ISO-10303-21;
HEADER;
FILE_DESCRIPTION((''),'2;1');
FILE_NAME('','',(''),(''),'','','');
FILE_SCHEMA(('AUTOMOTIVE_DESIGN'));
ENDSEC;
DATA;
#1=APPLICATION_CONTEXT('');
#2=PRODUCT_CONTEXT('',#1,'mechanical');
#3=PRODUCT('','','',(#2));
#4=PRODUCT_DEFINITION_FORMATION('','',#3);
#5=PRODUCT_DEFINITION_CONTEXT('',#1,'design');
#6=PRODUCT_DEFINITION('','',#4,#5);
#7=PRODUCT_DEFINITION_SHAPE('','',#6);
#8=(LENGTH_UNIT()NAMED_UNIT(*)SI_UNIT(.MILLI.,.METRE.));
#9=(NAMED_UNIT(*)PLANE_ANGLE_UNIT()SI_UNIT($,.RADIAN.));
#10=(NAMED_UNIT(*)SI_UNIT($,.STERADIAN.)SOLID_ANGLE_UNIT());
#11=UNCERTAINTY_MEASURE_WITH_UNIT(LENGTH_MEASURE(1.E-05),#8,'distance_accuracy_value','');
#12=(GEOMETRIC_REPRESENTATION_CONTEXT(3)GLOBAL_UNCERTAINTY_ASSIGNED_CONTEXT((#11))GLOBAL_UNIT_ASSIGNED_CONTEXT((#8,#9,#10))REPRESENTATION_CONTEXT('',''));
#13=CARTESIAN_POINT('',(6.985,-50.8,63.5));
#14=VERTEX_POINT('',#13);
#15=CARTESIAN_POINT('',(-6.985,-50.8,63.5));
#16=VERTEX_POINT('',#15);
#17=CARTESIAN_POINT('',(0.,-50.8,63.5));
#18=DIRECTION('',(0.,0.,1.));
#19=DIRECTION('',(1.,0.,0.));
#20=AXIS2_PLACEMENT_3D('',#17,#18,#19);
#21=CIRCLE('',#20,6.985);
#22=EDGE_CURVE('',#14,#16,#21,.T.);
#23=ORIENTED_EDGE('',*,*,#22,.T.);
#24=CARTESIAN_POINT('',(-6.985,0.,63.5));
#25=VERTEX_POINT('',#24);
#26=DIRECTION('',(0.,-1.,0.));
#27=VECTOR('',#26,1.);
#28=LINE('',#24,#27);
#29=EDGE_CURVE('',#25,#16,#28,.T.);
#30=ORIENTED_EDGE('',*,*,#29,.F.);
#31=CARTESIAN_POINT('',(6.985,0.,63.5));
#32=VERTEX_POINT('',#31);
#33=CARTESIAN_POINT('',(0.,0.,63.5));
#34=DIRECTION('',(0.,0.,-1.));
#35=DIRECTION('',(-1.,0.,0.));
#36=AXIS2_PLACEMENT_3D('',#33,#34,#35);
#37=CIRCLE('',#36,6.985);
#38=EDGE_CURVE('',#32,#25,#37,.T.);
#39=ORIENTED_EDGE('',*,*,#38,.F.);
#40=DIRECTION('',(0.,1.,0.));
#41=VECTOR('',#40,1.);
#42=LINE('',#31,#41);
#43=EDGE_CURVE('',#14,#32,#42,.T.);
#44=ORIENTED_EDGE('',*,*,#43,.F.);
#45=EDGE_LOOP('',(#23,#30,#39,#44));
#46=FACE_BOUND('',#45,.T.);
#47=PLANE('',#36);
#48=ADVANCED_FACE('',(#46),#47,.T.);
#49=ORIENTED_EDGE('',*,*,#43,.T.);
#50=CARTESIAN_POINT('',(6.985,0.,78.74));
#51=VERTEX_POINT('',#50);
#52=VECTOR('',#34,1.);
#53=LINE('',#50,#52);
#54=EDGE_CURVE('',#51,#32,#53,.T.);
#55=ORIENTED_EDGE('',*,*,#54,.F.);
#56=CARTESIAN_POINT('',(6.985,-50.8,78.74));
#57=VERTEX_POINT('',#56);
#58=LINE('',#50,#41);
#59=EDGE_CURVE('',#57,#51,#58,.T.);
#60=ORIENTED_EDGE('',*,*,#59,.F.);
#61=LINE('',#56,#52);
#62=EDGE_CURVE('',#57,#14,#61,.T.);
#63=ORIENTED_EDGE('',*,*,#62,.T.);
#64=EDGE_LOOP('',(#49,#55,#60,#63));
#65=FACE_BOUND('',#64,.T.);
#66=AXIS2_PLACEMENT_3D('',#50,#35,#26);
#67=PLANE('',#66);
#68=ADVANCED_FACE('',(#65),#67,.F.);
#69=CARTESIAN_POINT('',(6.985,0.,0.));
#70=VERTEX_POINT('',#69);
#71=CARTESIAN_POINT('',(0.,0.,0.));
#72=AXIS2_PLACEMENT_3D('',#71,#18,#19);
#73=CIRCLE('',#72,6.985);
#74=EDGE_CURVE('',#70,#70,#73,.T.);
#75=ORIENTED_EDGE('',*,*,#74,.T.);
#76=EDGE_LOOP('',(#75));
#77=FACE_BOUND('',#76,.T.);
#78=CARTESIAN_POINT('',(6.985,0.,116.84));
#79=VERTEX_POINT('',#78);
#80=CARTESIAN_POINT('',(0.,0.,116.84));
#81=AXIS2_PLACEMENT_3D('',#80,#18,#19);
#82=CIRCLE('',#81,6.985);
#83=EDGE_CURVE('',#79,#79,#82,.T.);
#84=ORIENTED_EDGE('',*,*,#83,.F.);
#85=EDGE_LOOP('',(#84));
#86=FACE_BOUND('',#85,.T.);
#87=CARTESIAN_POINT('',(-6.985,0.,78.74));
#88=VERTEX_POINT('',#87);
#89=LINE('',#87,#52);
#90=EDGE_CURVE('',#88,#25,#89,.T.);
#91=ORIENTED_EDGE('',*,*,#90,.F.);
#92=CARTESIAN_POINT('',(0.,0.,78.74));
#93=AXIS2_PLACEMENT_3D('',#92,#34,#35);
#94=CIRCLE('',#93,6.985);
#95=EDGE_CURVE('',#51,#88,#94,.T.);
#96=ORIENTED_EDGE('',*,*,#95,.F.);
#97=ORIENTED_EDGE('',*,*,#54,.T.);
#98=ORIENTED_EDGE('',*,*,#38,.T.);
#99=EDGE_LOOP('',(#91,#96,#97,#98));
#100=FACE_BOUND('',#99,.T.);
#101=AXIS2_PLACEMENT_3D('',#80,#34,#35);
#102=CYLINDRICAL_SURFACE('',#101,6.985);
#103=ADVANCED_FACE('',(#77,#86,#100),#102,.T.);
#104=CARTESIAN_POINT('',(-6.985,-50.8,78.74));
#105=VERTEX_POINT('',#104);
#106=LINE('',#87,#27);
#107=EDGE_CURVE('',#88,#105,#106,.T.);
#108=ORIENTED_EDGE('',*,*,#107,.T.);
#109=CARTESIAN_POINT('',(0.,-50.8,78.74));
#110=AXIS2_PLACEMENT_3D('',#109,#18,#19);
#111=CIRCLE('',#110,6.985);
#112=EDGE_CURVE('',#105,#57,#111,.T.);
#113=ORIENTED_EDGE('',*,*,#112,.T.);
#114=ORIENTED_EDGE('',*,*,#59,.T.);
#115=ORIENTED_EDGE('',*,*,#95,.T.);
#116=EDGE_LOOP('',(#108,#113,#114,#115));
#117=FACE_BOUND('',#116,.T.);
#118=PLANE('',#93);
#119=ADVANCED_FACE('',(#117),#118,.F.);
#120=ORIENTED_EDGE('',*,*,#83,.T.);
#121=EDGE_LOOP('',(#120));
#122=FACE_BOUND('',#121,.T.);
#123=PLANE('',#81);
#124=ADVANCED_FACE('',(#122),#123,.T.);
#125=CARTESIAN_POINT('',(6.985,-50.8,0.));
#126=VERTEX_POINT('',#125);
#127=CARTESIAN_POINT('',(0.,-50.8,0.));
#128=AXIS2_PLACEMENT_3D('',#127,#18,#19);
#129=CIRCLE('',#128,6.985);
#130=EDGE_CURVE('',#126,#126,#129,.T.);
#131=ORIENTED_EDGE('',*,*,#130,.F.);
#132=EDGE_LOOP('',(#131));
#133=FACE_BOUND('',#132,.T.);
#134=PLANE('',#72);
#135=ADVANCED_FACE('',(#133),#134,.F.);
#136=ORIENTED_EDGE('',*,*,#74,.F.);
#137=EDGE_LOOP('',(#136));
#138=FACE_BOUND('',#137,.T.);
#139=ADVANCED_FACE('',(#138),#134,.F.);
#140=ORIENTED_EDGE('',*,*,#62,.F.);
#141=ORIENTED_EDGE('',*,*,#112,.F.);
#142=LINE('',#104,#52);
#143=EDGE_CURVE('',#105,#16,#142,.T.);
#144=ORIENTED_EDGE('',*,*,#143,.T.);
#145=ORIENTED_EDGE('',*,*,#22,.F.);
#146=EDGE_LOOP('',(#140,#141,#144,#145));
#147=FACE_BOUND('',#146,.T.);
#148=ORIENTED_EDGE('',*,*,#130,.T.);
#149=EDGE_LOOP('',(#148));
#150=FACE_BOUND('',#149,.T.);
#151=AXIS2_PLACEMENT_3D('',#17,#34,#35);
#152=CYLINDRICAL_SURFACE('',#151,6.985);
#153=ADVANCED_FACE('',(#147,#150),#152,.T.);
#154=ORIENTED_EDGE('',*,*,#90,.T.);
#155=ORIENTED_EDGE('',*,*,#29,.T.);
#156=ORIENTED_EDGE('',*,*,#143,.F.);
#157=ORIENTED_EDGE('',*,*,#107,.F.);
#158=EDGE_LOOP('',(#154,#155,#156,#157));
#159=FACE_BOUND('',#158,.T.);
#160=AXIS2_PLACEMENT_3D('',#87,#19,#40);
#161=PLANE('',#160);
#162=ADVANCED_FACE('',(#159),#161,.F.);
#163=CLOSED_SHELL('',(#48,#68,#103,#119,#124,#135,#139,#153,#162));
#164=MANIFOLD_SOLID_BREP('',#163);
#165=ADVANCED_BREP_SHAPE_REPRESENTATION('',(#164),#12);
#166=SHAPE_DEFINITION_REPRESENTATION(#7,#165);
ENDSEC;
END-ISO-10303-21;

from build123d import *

# Parameters (mm, degrees)
BOSS_EXTRUDE11_DEPTH = 116.84
BOSS_EXTRUDE12_DEPTH = 63.5
SKETCH19_W           = 13.97
SKETCH19_H           = 50.8
BOSS_EXTRUDE13_DEPTH = 15.24
SKETCH21_R           = 6.985
BOSS_EXTRUDE15_DEPTH = 15.24


with BuildPart() as part:
    # Sketch2 → Boss-Extrude11 (new body)
    with BuildSketch(Plane.XY):
        with BuildLine():
            ThreePointArc((6.985, 0), (-4.939140867, 4.939140867), (0, -6.985))
            ThreePointArc((0, -6.985), (4.939140867, -4.939140867), (6.985, 0))
        make_face()
    extrude(amount=BOSS_EXTRUDE11_DEPTH)



with BuildPart() as body_2:
    # Sketch2<4> → Boss-Extrude12 (new body)
    with BuildSketch(Plane.XY):
        with BuildLine():
            ThreePointArc((6.985, -50.8), (4.939140867, -45.860859133), (0, -43.815))
            ThreePointArc((0, -43.815), (-4.939140867, -55.739140867), (6.985, -50.8))
        make_face()
    extrude(amount=BOSS_EXTRUDE12_DEPTH)


with BuildPart() as part_1:
    add(part.part)

    add(body_2.part)  # Boss-Extrude13 merges body 2
    # Sketch19 → Boss-Extrude13 (add)
    with BuildSketch(Plane.XY.offset(63.5)):
        with Locations((0, -25.4)):
            Rectangle(SKETCH19_W, SKETCH19_H)
    extrude(amount=BOSS_EXTRUDE13_DEPTH)

    # Sketch21 → Boss-Extrude15 (add)
    with BuildSketch(Plane.XY.offset(63.5)):
        with Locations((0, -50.8)):
            Circle(SKETCH21_R)
    extrude(amount=BOSS_EXTRUDE15_DEPTH)


solid = part_1.part
